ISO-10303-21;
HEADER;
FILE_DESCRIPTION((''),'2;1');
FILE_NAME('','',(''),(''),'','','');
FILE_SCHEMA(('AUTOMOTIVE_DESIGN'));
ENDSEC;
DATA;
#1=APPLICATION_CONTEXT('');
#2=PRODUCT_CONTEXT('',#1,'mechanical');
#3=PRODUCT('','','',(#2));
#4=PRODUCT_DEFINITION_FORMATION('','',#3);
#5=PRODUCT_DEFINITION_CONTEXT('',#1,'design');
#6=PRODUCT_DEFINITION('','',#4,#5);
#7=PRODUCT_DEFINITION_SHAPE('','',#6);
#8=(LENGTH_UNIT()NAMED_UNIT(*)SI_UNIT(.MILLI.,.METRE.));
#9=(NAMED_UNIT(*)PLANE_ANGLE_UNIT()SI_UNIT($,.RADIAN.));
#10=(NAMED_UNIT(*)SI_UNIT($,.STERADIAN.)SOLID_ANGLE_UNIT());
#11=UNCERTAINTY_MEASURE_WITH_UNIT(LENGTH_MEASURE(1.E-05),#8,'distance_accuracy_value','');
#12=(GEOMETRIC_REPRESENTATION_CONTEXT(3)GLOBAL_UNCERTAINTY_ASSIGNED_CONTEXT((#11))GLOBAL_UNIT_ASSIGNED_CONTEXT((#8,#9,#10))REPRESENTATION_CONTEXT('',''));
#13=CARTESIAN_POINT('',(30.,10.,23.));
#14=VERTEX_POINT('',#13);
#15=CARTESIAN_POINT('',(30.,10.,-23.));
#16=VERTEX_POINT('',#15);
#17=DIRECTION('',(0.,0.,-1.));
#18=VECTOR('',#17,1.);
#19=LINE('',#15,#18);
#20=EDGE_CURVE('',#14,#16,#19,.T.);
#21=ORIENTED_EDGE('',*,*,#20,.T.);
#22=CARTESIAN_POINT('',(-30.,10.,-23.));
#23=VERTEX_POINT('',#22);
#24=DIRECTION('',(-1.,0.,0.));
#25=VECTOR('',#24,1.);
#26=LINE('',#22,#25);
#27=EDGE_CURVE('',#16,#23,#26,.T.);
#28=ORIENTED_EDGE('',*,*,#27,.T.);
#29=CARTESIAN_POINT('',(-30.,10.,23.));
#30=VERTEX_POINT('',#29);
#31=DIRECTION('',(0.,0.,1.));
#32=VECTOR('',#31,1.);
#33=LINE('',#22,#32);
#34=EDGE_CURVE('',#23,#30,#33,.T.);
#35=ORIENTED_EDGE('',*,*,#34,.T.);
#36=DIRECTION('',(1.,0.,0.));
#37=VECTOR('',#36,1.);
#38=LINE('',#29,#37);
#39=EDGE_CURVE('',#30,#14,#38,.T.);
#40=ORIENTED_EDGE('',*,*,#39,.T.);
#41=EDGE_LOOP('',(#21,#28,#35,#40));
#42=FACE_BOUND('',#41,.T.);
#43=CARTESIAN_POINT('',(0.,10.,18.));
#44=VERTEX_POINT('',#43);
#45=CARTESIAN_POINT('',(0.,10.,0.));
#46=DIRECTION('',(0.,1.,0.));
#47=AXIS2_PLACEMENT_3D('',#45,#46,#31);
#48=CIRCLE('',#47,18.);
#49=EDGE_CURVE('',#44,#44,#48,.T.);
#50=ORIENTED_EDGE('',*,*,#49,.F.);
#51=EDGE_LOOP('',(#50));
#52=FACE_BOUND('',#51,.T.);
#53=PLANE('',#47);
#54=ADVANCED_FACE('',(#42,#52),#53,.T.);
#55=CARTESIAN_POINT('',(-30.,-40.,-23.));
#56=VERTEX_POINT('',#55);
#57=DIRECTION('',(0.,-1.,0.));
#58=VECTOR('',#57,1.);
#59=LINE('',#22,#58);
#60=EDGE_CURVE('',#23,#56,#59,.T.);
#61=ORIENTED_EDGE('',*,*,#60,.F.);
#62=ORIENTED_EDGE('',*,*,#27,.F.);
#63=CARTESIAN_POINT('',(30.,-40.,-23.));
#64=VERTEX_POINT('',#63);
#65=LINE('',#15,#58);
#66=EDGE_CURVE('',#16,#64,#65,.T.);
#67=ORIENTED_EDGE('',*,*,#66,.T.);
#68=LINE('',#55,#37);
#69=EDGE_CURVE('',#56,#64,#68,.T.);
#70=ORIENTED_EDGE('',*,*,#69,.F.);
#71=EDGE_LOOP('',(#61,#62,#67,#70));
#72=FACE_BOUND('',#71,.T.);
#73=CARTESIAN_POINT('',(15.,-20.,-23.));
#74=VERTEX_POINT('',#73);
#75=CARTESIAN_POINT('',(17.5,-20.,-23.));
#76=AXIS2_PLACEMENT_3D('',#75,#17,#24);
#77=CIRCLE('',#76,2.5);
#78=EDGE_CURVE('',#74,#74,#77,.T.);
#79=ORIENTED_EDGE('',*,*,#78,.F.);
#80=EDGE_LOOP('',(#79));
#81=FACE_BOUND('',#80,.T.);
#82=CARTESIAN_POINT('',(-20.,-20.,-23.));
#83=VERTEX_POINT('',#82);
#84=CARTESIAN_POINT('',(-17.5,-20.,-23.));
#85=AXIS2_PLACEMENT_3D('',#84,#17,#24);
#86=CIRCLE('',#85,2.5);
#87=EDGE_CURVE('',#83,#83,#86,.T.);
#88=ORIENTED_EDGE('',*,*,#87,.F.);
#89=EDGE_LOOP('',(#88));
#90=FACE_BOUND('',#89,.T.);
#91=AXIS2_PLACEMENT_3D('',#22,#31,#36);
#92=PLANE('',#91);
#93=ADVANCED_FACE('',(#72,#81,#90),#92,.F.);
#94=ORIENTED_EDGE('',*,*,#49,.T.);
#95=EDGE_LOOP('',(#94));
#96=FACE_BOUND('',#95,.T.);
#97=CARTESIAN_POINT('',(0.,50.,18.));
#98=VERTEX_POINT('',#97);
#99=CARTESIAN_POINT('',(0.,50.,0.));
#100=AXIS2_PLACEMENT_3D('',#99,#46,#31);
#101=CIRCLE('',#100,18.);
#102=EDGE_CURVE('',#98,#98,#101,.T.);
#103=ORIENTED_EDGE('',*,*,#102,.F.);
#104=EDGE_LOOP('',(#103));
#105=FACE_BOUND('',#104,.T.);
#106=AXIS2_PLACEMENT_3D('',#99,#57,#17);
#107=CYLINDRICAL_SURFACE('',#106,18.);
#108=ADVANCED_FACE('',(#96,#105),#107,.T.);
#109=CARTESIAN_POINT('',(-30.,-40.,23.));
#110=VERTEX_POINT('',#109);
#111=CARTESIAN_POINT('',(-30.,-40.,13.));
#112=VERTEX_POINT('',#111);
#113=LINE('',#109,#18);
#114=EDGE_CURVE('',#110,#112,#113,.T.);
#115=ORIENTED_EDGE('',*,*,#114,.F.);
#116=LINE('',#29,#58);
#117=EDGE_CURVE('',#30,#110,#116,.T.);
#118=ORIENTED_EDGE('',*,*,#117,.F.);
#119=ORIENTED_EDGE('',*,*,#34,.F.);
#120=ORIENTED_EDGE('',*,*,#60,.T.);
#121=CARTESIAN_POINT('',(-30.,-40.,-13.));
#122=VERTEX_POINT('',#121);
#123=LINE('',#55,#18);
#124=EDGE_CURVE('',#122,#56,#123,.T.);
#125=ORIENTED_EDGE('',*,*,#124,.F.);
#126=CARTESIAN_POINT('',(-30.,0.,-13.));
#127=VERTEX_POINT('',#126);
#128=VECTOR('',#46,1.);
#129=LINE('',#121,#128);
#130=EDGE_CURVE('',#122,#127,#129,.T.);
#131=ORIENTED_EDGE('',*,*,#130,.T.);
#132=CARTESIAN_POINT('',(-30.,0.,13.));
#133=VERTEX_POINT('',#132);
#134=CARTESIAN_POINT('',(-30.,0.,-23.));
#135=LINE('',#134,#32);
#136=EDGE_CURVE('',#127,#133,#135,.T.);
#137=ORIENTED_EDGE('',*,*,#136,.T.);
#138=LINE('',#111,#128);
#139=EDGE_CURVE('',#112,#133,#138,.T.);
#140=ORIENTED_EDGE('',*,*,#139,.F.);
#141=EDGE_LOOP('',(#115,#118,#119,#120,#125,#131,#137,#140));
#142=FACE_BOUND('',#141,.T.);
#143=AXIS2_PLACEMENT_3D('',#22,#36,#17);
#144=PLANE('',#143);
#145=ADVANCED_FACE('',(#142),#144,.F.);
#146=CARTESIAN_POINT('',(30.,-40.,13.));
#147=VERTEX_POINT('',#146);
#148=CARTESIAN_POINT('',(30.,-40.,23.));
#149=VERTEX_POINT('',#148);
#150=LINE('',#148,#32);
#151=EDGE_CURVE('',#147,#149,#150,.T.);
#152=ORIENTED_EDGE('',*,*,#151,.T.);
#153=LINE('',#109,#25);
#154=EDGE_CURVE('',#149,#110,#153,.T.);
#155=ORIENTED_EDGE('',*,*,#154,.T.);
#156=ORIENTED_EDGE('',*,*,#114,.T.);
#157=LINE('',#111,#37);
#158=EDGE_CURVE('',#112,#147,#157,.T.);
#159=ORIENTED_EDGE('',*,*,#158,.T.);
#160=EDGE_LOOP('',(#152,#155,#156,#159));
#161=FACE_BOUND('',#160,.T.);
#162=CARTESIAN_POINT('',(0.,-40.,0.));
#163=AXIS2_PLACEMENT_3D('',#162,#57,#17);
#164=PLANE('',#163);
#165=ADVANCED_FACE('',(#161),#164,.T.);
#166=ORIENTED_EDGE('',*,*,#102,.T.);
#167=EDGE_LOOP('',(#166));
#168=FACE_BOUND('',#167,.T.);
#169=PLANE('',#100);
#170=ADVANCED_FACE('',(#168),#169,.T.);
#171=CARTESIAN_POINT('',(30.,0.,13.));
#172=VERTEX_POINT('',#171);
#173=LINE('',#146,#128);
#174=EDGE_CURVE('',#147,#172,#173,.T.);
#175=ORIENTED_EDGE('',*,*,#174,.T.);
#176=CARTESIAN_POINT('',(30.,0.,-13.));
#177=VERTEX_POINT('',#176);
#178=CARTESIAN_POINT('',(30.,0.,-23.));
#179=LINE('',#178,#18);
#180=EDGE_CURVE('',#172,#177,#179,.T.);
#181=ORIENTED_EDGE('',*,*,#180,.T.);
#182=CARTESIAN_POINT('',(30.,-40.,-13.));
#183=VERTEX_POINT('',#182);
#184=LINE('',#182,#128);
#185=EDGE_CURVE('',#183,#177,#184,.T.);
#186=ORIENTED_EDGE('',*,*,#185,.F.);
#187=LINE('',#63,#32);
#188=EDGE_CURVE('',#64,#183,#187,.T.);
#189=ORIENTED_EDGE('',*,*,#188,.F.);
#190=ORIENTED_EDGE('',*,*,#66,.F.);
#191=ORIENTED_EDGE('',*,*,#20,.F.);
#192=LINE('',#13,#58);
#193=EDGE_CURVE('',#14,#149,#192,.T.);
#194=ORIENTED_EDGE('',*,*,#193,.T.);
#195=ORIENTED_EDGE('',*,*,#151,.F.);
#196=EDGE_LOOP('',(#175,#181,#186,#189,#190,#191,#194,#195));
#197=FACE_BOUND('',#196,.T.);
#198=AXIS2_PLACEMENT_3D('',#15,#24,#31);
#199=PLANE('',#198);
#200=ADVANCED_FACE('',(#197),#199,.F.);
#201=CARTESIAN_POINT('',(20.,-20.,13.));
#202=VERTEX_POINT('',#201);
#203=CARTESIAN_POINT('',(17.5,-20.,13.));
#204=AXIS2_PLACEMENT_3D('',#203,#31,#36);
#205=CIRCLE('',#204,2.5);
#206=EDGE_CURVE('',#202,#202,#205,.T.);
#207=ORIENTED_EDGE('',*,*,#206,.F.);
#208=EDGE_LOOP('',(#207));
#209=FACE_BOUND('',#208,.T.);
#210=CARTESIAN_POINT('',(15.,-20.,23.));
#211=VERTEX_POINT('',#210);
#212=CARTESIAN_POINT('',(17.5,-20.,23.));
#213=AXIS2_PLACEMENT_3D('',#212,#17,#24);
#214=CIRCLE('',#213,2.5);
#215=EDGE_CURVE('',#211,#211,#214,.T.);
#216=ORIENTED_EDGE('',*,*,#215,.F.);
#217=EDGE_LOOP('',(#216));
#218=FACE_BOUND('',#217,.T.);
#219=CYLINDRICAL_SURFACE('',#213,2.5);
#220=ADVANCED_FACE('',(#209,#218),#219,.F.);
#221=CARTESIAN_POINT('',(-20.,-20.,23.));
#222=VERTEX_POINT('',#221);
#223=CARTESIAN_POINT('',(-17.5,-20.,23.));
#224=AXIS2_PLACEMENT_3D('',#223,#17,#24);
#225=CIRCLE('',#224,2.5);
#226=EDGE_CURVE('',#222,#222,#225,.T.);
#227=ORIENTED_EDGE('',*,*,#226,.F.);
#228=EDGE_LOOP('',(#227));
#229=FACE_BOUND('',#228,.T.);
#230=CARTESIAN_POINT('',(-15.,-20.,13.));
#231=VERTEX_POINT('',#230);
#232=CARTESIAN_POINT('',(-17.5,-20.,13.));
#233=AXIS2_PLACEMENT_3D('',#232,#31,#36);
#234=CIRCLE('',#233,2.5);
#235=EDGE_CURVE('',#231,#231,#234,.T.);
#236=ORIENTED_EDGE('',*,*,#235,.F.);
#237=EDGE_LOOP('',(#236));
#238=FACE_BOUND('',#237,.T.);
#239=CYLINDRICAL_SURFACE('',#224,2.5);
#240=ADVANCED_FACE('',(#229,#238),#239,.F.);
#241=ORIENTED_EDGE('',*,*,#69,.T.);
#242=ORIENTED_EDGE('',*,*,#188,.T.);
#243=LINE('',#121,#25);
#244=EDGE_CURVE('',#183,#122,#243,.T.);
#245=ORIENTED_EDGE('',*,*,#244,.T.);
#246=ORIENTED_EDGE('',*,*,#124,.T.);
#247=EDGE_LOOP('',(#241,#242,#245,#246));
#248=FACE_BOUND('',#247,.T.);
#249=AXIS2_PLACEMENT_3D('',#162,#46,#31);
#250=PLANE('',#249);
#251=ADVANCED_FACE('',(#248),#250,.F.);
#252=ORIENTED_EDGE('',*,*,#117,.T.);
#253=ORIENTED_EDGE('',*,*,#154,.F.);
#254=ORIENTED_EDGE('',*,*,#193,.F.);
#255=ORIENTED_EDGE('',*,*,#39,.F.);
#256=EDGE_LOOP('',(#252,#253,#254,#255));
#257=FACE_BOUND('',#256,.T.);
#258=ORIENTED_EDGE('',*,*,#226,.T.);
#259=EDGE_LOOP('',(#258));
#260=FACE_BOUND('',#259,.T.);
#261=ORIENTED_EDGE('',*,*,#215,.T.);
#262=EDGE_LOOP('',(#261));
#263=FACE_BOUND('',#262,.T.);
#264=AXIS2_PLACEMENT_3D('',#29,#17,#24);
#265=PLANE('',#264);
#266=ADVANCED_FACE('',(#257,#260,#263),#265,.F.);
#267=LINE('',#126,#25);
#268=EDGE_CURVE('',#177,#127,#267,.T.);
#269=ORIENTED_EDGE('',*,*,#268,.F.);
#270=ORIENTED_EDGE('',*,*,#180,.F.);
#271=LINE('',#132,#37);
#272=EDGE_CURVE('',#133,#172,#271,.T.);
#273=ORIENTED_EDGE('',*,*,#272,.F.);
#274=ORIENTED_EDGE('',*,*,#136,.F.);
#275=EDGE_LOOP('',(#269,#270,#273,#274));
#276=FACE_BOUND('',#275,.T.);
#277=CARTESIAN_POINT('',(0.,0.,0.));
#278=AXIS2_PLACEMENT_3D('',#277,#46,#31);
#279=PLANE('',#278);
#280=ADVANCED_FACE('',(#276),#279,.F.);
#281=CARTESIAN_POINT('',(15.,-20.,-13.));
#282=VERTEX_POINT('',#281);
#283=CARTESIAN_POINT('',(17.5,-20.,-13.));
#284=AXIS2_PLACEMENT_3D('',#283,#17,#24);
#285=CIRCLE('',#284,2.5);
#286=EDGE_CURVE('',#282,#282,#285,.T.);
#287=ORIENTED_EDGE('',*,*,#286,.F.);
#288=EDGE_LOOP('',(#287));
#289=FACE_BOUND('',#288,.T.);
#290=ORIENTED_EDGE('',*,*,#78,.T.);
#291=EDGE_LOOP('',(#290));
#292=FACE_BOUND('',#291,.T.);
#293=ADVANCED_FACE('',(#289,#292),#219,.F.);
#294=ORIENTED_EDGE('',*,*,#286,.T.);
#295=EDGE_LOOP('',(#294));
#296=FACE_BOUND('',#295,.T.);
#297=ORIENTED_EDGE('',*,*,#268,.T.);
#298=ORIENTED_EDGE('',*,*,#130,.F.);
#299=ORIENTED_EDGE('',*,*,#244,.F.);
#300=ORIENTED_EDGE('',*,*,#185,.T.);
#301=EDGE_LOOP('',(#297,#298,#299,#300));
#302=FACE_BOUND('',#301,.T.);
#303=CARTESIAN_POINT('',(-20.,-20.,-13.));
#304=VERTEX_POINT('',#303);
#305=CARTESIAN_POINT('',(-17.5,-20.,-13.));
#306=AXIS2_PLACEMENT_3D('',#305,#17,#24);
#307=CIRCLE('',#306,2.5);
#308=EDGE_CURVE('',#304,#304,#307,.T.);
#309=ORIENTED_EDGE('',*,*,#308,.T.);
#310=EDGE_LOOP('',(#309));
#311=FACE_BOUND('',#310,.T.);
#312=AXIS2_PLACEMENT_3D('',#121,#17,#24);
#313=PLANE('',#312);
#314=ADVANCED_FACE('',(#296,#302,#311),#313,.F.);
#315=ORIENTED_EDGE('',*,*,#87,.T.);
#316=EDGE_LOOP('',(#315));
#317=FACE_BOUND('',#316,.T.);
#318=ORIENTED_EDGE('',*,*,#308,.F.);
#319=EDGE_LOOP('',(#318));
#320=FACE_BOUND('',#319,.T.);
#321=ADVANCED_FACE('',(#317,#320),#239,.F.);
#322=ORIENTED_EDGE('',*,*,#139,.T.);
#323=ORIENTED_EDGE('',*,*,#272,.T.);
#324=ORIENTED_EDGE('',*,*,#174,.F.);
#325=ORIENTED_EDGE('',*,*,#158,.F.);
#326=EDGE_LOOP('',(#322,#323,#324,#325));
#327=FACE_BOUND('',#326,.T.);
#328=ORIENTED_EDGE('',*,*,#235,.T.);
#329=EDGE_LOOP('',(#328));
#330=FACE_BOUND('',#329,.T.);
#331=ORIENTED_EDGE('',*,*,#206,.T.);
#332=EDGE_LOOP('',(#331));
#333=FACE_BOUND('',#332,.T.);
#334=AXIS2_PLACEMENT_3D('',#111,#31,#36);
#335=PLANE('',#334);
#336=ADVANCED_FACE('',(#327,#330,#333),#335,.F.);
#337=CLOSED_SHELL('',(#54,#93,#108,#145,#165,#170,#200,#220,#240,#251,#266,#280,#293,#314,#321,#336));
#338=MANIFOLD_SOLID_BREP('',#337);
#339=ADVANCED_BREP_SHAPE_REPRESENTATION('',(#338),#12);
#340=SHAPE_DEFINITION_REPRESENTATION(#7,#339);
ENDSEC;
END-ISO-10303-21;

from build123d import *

# Parameters (mm, degrees)
SKETCH1_W           = 60
SKETCH1_H           = 46
BOSS_EXTRUDE1_DEPTH = 10
SKETCH2_W           = 60
SKETCH2_H           = 10
BOSS_EXTRUDE2_DEPTH = 40
SKETCH3_R           = 18
BOSS_EXTRUDE3_DEPTH = 40
SKETCH4_R           = 2.5
CUT_EXTRUDE1_DEPTH  = 75.269778511


with BuildPart() as part:
    # Sketch1 → Boss-Extrude1 (new body)
    with BuildSketch(Plane(origin=(0, 0, 0), x_dir=(1, 0, 0), z_dir=(0, 1, 0))):
        Rectangle(SKETCH1_W, SKETCH1_H)
    extrude(amount=BOSS_EXTRUDE1_DEPTH)

    # Sketch2 → Boss-Extrude2 (add)
    with BuildSketch(Plane.XZ):
        with Locations((0, 18)):
            Rectangle(SKETCH2_W, SKETCH2_H)
        with Locations((0, -18)):
            Rectangle(SKETCH2_W, SKETCH2_H)
    extrude(amount=BOSS_EXTRUDE2_DEPTH)

    # Sketch3 → Boss-Extrude3 (add)
    with BuildSketch(Plane(origin=(0, 10, 0), x_dir=(1, 0, 0), z_dir=(0, 1, 0))):
        with Locations(Location((0, 0, 0), (0, 0, 270))):
            Circle(SKETCH3_R)
    extrude(amount=BOSS_EXTRUDE3_DEPTH)

    # Sketch4 → Cut-Extrude1 (cut, through all)
    with BuildSketch(Plane(origin=(0, 0, -23), x_dir=(-1, 0, 0), z_dir=(0, 0, -1))):
        with Locations((-17.5, -20)):
            Circle(SKETCH4_R)
        with Locations((17.5, -20)):
            Circle(SKETCH4_R)
    extrude(amount=-CUT_EXTRUDE1_DEPTH, mode=Mode.SUBTRACT)


solid = part.part
